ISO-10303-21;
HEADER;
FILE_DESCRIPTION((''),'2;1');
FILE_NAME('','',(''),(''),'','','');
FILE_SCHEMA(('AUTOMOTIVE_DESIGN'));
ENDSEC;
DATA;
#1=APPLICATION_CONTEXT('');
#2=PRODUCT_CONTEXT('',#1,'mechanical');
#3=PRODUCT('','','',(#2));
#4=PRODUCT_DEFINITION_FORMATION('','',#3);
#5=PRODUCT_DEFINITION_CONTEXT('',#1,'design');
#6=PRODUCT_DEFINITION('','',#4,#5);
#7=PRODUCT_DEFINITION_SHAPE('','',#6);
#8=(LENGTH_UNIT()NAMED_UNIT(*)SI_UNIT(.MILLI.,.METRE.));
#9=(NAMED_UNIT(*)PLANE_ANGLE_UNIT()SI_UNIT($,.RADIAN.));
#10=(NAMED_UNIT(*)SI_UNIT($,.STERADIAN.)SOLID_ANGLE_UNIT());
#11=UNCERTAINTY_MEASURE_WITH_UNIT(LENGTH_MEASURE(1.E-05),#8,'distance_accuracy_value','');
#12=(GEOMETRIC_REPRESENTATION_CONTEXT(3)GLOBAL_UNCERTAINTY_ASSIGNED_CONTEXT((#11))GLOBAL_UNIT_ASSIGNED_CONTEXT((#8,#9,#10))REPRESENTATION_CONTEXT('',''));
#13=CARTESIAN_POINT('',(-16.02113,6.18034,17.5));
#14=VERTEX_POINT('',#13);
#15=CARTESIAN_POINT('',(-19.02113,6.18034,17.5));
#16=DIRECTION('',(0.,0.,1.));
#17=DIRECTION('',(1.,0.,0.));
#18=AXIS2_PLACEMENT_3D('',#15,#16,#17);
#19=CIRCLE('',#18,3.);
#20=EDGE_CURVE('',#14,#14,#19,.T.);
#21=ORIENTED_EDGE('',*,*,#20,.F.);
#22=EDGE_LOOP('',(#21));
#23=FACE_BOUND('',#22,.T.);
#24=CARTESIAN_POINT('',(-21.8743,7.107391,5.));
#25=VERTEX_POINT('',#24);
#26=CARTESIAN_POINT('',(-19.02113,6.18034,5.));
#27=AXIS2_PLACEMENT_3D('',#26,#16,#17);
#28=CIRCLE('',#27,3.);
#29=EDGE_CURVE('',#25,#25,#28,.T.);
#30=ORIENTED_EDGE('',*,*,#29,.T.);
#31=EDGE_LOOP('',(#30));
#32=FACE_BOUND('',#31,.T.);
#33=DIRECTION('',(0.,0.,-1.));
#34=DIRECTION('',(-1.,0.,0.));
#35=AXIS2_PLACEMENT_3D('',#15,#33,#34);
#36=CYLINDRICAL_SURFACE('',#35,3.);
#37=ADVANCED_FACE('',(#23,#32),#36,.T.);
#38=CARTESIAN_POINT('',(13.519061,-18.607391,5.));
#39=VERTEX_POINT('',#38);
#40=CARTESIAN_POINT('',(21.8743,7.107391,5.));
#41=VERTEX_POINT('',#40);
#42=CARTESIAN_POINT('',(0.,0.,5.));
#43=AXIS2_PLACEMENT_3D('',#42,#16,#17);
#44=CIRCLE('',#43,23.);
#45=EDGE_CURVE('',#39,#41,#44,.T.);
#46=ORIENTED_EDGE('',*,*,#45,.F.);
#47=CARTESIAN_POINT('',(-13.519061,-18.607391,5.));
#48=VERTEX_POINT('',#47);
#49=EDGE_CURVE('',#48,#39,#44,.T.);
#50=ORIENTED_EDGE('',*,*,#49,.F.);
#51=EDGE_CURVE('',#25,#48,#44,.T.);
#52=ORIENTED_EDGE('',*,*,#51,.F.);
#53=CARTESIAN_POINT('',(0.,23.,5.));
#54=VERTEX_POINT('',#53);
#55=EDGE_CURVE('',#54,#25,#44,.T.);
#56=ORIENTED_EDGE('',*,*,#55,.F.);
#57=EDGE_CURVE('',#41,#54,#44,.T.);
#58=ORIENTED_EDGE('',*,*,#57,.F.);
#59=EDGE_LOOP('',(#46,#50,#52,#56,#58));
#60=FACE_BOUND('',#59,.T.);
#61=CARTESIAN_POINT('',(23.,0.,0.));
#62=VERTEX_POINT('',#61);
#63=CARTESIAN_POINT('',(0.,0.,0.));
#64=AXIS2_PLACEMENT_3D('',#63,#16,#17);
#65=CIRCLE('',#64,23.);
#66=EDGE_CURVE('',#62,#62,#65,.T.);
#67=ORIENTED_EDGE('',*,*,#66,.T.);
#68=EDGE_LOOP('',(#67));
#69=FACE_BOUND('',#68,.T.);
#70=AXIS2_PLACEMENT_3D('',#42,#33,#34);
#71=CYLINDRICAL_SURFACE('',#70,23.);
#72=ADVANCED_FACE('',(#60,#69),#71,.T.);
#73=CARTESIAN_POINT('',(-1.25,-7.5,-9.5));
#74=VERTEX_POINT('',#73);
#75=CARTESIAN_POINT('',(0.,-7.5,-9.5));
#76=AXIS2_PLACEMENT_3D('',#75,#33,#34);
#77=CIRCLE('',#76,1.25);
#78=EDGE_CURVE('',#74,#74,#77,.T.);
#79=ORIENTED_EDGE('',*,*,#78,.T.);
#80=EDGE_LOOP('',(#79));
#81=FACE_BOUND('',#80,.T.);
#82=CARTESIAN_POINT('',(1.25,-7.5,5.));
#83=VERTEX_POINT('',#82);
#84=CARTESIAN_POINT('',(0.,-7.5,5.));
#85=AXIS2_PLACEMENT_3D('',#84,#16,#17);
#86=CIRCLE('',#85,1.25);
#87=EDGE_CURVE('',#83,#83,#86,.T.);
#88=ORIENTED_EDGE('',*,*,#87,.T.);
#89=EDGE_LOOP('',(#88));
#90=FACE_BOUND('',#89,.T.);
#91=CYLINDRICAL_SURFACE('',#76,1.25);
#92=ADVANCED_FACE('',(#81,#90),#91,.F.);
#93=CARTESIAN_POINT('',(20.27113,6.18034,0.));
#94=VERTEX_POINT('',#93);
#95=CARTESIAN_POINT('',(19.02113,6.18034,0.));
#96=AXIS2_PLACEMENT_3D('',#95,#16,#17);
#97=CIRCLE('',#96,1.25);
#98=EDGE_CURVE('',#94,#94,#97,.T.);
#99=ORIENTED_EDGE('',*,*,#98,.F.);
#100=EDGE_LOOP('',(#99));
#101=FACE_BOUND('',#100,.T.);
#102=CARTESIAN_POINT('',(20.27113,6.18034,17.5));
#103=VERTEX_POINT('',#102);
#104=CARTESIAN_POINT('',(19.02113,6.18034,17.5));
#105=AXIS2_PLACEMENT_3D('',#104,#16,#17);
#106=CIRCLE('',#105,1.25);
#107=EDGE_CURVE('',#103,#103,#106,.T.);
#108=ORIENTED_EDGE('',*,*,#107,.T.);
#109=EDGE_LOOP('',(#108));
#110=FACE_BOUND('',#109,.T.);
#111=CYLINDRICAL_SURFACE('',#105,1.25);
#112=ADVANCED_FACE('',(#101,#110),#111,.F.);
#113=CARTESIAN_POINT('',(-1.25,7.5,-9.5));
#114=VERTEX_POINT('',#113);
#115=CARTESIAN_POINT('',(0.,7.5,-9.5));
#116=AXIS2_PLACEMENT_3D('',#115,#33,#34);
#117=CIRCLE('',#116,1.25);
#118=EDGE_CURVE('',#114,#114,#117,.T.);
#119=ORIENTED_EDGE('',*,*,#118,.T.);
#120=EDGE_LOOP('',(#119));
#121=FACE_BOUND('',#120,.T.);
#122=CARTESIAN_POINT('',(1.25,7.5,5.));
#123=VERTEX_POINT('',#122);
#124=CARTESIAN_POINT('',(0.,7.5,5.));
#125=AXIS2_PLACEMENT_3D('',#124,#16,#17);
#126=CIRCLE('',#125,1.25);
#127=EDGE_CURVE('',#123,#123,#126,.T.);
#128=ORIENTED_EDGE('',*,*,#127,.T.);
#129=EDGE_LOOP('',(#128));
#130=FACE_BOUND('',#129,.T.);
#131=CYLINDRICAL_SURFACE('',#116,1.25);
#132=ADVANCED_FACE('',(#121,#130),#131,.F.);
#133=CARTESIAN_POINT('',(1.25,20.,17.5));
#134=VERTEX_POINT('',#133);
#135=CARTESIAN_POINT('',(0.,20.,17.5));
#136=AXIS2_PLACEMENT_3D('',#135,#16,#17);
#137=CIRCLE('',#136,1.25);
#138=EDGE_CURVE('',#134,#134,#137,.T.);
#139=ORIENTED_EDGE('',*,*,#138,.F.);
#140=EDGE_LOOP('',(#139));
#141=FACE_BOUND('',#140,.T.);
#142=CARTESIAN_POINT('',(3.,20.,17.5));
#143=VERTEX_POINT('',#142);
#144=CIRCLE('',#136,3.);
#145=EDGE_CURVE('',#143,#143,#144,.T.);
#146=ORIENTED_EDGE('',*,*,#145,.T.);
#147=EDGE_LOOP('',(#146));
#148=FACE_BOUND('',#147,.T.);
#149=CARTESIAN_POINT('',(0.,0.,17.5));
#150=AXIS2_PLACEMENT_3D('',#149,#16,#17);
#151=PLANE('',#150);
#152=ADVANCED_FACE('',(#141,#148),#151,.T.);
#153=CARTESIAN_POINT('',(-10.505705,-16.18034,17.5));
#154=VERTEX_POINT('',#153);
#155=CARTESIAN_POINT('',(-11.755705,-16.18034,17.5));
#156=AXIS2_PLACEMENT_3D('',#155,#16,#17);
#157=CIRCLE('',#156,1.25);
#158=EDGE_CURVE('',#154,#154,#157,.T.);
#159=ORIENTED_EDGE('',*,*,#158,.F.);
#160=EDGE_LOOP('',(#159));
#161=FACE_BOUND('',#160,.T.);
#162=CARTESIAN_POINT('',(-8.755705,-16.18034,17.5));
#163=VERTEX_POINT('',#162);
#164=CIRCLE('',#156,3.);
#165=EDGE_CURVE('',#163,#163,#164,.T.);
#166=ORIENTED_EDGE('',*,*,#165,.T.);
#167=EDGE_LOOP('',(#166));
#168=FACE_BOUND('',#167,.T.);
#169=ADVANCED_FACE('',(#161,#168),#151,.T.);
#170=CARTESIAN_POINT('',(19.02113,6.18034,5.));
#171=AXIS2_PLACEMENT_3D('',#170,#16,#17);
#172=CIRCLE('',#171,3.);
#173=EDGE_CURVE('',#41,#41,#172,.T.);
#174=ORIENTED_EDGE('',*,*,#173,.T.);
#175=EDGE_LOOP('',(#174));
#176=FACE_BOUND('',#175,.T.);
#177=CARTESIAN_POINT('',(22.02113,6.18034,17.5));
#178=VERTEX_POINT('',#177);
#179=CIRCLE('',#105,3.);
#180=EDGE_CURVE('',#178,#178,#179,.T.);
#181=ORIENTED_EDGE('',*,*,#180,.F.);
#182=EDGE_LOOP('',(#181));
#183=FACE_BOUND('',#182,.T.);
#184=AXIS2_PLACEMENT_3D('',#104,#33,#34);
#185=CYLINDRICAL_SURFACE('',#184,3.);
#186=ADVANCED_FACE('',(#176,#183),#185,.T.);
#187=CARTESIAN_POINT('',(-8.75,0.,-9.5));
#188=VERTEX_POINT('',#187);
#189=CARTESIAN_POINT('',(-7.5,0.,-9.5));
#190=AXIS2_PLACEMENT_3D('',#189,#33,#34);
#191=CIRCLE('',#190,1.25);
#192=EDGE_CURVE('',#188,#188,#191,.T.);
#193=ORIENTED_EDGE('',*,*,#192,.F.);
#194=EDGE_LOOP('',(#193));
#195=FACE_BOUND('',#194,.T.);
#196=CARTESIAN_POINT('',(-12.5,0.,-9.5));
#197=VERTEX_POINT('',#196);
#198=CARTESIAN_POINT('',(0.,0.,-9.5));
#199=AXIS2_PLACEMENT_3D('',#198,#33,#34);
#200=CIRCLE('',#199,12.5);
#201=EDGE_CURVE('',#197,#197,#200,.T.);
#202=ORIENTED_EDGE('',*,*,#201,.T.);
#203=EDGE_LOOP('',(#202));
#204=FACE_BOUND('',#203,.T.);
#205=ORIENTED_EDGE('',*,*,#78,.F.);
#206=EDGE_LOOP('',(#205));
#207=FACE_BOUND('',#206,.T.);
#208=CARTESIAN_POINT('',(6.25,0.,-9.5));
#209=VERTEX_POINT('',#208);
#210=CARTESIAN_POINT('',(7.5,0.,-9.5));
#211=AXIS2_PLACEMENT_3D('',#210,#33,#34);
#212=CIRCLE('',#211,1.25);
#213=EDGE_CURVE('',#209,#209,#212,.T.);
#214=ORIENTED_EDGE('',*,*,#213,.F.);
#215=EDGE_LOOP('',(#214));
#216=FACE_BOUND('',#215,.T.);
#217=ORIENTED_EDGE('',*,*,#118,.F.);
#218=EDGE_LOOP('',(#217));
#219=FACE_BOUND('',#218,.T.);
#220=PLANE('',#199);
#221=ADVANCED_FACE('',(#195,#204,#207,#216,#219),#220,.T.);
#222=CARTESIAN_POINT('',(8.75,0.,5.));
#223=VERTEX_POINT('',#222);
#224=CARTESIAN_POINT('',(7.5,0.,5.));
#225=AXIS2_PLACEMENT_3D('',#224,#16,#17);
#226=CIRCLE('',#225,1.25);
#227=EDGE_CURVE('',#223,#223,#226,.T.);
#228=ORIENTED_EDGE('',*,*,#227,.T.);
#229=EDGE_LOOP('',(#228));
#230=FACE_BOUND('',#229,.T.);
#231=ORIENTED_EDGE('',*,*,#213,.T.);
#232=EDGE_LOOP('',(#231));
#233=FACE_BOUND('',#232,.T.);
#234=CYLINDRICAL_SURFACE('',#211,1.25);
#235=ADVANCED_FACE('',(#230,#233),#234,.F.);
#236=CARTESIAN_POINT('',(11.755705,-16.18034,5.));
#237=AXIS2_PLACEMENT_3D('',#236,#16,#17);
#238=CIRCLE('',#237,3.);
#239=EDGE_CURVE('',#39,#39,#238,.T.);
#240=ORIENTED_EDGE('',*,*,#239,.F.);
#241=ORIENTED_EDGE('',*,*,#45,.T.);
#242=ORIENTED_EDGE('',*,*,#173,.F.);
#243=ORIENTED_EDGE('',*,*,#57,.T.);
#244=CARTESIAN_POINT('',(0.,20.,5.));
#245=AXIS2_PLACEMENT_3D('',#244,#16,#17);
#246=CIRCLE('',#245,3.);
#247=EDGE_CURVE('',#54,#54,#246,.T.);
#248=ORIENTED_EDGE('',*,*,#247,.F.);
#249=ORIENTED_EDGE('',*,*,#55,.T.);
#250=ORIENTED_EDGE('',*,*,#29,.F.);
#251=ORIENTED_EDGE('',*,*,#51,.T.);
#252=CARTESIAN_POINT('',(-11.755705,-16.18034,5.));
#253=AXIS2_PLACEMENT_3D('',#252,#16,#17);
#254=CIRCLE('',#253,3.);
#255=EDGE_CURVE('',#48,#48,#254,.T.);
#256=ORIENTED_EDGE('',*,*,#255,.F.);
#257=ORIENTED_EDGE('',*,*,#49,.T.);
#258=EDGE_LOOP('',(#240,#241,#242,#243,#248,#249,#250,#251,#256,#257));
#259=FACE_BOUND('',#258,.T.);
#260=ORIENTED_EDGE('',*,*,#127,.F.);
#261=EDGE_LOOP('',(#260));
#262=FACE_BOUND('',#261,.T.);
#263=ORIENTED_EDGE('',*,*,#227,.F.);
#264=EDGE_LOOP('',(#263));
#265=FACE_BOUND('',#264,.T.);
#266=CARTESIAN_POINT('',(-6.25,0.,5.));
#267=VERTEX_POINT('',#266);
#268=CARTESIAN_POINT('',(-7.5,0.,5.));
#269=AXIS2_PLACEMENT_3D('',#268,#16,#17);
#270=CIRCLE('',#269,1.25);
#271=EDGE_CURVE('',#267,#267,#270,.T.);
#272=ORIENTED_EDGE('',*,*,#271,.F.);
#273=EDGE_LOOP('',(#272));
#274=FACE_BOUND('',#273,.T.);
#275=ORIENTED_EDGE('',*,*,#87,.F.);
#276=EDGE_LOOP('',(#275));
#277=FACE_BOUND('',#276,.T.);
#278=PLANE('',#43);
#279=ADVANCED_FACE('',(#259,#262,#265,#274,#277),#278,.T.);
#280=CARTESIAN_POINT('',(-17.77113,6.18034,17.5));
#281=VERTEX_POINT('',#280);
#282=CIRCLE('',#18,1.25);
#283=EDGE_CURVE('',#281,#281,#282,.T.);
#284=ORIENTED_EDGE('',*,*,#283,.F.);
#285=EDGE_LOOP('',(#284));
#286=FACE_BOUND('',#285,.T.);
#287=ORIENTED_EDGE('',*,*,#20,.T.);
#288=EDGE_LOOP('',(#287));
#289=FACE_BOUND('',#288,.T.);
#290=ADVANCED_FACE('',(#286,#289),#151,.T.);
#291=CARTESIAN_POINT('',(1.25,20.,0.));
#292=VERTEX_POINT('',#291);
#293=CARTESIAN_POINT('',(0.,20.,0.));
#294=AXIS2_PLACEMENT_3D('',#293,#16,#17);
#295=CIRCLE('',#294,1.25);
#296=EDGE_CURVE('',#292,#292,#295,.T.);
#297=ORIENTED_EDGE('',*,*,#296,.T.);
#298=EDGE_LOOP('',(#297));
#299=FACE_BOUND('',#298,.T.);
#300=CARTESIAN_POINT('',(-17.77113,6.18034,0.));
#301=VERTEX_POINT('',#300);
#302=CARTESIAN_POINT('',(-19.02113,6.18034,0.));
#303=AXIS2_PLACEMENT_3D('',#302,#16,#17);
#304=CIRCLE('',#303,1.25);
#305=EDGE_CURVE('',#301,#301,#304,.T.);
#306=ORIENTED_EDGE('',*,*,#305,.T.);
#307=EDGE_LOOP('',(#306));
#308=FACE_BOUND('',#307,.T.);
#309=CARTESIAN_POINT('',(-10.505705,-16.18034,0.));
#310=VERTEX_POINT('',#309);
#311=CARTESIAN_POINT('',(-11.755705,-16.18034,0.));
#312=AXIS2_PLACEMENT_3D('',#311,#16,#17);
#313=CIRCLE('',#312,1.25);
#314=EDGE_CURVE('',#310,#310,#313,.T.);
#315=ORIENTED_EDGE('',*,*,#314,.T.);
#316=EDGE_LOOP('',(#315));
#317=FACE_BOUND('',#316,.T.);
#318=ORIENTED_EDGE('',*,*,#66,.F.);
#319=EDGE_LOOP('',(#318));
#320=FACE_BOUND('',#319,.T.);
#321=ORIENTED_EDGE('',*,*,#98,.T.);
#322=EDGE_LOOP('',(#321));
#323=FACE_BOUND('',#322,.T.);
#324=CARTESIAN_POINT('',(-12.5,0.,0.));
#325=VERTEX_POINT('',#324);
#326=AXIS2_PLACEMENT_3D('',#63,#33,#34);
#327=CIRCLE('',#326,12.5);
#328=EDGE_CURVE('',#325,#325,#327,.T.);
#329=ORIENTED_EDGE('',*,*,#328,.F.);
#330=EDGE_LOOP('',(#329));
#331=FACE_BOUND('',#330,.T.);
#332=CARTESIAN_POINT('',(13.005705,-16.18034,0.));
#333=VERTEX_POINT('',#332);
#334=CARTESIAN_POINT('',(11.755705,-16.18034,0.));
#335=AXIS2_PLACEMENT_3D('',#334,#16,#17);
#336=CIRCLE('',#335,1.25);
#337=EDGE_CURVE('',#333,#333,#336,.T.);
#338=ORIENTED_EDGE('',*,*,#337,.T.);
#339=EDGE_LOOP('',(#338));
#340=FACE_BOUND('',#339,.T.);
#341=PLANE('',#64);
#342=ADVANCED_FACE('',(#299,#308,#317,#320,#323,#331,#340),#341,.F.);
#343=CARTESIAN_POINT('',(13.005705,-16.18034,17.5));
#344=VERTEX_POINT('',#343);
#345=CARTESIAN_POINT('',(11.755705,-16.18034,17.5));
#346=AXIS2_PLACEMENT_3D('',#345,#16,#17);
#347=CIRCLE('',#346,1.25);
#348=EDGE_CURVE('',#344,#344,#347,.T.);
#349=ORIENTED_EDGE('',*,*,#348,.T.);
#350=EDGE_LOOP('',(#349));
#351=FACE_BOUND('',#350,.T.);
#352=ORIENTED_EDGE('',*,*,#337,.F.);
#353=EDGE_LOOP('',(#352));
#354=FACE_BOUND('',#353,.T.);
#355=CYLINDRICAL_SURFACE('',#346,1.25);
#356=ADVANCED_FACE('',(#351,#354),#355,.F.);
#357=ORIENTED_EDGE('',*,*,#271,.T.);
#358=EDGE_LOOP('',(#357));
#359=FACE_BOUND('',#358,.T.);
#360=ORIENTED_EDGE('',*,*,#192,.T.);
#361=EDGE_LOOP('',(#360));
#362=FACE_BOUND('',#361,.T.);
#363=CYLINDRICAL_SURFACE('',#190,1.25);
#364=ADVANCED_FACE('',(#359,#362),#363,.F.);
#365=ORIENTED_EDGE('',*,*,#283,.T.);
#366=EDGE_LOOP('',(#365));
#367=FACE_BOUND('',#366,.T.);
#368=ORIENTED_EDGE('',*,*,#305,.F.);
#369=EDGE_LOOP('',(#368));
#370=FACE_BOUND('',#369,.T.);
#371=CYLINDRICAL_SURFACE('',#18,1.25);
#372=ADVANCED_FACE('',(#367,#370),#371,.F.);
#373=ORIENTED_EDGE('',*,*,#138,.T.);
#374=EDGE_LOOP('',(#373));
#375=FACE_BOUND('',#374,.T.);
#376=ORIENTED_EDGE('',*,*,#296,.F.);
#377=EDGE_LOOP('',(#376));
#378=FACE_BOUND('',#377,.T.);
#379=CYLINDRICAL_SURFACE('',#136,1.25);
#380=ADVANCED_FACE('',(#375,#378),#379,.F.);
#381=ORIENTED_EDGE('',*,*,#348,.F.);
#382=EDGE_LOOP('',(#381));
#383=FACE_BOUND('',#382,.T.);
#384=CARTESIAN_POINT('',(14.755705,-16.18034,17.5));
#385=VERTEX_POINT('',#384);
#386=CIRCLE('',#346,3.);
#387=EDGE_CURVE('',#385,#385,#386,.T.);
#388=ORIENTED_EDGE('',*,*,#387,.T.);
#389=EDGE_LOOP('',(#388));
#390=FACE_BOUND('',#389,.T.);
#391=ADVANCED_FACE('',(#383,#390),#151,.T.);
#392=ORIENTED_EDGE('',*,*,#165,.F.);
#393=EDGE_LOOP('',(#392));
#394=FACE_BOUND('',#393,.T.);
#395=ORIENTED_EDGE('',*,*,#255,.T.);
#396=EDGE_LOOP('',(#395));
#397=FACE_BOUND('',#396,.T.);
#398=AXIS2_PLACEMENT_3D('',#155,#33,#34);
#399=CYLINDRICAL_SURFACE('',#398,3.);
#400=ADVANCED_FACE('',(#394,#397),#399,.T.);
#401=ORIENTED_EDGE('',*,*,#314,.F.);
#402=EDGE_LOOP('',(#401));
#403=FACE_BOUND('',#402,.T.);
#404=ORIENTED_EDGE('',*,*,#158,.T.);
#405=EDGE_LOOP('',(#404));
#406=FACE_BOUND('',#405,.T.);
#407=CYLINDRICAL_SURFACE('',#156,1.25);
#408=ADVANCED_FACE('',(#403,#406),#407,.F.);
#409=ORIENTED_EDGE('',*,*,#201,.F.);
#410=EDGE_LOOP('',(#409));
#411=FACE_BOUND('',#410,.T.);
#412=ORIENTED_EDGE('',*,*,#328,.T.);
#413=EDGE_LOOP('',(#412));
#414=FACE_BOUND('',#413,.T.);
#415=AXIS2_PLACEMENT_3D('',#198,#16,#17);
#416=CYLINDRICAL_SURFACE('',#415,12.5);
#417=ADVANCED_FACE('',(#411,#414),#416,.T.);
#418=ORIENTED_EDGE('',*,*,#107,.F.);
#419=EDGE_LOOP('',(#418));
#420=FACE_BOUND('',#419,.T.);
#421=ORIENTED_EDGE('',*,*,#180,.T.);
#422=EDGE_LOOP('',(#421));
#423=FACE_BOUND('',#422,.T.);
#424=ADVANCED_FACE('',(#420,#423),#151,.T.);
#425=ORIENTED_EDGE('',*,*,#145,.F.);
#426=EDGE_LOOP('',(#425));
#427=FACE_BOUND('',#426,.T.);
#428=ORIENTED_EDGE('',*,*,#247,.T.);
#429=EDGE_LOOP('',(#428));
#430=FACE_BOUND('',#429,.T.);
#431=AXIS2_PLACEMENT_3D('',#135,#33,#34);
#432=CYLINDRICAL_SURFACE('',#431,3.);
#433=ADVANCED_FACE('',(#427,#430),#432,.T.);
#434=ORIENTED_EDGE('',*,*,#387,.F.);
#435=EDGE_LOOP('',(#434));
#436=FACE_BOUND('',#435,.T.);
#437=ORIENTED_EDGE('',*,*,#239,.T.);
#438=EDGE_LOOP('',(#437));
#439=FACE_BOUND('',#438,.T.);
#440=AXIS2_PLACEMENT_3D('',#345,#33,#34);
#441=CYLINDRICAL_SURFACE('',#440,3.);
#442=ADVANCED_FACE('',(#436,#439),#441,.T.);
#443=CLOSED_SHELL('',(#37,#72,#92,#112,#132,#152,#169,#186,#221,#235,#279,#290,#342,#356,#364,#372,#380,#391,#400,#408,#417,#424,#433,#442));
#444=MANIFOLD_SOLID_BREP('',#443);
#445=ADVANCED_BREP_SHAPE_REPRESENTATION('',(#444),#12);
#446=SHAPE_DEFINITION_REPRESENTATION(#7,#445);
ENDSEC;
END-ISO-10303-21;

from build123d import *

# Parameters (mm, degrees)
SKETCH1_R           = 23
BOSS_EXTRUDE1_DEPTH = 5
SKETCH2_R           = 3
BOSS_EXTRUDE2_DEPTH = 12.5
SKETCH3_R           = 12.5
BOSS_EXTRUDE3_DEPTH = 9.5
M3_TAPPED_HOLE1_D   = 2.5
CIRPATTERN1_COUNT   = 5
M3_TAPPED_HOLE2_D   = 2.5


with BuildPart() as part:
    # Sketch1 → Boss-Extrude1 (new body)
    with BuildSketch(Plane.XY):
        Circle(SKETCH1_R)
    extrude(amount=BOSS_EXTRUDE1_DEPTH)

    # Sketch2 → Boss-Extrude2 (add)
    with BuildSketch(Plane.XY.offset(5)):
        with Locations(Location((0, 20, 0), (0, 0, 89.999498322))):
            Circle(SKETCH2_R)
        with Locations(Location((19.021130326, 6.180339887, 0), (0, 0, 17.999498258))):
            Circle(SKETCH2_R)
        with Locations(Location((11.755705046, -16.180339887, 0), (0, 0, 305.999498339))):
            Circle(SKETCH2_R)
        with Locations(Location((-11.755705046, -16.180339887, 0), (0, 0, 233.999498303))):
            Circle(SKETCH2_R)
        with Locations(Location((-19.021130326, 6.180339887, 0), (0, 0, 161.999499453))):
            Circle(SKETCH2_R)
    extrude(amount=BOSS_EXTRUDE2_DEPTH)

    # Sketch3 → Boss-Extrude3 (add)
    with BuildSketch(Plane(origin=(0, 0, 0), x_dir=(-1, 0, 0), z_dir=(0, 0, -1))):
        Circle(SKETCH3_R)
    extrude(amount=BOSS_EXTRUDE3_DEPTH)

    # M3 Tapped Hole1 (through all)
    with Locations(Plane.XY.offset(17.5)):
        with Locations((0, 20)):
            m3_tapped_hole1 = Hole(M3_TAPPED_HOLE1_D / 2)

    # CirPattern1: M3 Tapped Hole1 ×5 about axis
    cirpattern1_axis = Axis((0, 0, 0), (0, 0, 1))
    for i in range(1, CIRPATTERN1_COUNT):
        add(m3_tapped_hole1.rotate(cirpattern1_axis, i * 360 / CIRPATTERN1_COUNT), mode=Mode.SUBTRACT)

    # M3 Tapped Hole2 (through all)
    with Locations(Plane(origin=(0, 0, -9.5), x_dir=(-1, 0, 0), z_dir=(0, 0, -1))):
        with Locations((-7.5, 0), (0, 7.5), (7.5, 0), (0, -7.5)):
            Hole(M3_TAPPED_HOLE2_D / 2)


solid = part.part
